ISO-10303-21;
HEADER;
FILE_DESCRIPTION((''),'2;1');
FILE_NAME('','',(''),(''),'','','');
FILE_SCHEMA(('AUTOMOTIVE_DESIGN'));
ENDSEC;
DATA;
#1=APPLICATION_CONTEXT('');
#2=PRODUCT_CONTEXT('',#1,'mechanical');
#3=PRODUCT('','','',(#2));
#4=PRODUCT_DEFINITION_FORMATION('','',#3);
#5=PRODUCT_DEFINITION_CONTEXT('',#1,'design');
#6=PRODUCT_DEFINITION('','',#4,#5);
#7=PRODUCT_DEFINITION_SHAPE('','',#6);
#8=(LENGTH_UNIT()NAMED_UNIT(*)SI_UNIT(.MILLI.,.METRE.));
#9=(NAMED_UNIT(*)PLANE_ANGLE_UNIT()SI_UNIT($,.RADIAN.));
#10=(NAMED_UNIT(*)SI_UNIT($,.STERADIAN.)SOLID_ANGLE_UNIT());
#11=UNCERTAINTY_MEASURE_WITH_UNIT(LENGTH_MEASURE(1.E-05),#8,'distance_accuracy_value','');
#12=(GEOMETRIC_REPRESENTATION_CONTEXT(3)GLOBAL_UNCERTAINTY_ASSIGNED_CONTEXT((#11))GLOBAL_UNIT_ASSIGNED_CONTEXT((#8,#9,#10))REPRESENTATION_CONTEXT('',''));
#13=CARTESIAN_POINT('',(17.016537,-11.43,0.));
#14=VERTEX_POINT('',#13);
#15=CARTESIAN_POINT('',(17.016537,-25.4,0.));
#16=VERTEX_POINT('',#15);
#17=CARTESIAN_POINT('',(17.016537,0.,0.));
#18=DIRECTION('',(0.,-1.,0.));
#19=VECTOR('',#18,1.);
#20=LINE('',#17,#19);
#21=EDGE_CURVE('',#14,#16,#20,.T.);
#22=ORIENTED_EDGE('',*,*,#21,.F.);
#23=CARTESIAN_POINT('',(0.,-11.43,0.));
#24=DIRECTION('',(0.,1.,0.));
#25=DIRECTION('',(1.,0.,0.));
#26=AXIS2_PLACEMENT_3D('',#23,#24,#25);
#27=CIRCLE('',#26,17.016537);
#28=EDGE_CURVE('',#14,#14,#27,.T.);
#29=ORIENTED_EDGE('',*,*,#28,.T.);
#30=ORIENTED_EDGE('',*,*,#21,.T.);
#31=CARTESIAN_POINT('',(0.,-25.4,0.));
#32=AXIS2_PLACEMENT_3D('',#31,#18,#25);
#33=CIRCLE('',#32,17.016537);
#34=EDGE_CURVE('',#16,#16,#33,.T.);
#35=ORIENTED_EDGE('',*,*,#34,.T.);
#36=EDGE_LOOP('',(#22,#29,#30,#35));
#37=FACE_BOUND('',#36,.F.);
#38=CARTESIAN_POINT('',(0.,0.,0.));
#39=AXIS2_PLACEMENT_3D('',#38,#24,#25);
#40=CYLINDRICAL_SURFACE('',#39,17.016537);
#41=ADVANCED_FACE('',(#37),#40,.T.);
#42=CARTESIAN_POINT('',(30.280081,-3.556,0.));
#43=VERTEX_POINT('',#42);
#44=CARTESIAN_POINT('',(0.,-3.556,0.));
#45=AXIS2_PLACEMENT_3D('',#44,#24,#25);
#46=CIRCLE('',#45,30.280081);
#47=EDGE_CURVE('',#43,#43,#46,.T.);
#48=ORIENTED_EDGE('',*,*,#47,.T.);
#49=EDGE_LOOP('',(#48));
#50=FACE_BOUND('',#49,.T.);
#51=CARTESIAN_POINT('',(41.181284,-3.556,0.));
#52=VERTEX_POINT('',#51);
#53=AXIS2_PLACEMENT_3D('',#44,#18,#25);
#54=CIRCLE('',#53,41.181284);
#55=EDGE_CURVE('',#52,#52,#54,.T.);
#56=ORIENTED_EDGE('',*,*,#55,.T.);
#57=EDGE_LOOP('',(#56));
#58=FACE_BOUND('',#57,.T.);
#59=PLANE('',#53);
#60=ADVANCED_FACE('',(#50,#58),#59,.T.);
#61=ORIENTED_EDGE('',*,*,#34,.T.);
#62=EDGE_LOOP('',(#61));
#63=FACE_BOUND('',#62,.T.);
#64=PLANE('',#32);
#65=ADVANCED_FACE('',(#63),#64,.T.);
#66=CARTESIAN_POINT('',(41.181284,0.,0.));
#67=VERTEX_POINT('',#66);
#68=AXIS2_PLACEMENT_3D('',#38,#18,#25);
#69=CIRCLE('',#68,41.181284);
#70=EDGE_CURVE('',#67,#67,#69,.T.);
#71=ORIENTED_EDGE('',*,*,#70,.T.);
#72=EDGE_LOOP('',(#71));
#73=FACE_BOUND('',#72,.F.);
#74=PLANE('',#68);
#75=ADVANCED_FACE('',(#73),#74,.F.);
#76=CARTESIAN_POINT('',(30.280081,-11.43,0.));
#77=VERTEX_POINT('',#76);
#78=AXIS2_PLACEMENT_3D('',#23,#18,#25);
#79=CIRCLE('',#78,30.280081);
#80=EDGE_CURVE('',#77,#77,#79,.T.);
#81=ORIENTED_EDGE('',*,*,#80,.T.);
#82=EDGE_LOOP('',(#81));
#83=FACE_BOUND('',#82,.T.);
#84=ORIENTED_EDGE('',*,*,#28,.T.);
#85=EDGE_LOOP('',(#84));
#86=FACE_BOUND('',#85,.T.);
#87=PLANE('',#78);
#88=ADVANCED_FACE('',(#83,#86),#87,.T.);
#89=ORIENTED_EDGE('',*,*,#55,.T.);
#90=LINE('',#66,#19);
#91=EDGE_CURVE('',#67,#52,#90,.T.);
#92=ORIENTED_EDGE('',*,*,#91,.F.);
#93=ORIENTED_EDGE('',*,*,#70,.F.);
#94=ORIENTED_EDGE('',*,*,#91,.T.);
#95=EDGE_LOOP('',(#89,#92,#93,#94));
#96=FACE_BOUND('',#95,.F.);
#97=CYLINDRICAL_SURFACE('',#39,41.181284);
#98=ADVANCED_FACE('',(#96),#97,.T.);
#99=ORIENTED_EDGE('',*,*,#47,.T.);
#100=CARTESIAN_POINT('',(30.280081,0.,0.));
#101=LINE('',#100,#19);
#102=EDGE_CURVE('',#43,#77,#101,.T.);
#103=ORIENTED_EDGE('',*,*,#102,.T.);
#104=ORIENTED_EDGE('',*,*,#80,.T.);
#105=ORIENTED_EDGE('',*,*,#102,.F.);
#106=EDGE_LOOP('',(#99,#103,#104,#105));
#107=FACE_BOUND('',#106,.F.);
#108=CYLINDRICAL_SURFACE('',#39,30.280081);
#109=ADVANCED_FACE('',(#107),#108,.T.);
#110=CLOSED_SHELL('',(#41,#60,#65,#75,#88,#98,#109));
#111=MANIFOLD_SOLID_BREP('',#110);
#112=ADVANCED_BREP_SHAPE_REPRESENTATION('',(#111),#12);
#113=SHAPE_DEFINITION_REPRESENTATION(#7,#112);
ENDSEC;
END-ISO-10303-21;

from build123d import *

# Parameters (mm, degrees)
F2_R     = 17.016537
F3_DEPTH = 25.4
F1_R     = 30.280081
F4_DEPTH = 11.43
F0_R     = 41.181284
F5_DEPTH = 3.556


with BuildPart() as f3:
    # F2 (on Front) → F3 (new body)
    with BuildSketch(Plane.XZ):
        Circle(F2_R)
    extrude(amount=F3_DEPTH)

    # F1 (on Front) → F4 (join)
    with BuildSketch(Plane.XZ):
        Circle(F1_R)
    extrude(amount=F4_DEPTH)

    # F0 (on Front) → F5 (join)
    with BuildSketch(Plane.XZ):
        Circle(F0_R)
    extrude(amount=F5_DEPTH)


solid = f3.part
